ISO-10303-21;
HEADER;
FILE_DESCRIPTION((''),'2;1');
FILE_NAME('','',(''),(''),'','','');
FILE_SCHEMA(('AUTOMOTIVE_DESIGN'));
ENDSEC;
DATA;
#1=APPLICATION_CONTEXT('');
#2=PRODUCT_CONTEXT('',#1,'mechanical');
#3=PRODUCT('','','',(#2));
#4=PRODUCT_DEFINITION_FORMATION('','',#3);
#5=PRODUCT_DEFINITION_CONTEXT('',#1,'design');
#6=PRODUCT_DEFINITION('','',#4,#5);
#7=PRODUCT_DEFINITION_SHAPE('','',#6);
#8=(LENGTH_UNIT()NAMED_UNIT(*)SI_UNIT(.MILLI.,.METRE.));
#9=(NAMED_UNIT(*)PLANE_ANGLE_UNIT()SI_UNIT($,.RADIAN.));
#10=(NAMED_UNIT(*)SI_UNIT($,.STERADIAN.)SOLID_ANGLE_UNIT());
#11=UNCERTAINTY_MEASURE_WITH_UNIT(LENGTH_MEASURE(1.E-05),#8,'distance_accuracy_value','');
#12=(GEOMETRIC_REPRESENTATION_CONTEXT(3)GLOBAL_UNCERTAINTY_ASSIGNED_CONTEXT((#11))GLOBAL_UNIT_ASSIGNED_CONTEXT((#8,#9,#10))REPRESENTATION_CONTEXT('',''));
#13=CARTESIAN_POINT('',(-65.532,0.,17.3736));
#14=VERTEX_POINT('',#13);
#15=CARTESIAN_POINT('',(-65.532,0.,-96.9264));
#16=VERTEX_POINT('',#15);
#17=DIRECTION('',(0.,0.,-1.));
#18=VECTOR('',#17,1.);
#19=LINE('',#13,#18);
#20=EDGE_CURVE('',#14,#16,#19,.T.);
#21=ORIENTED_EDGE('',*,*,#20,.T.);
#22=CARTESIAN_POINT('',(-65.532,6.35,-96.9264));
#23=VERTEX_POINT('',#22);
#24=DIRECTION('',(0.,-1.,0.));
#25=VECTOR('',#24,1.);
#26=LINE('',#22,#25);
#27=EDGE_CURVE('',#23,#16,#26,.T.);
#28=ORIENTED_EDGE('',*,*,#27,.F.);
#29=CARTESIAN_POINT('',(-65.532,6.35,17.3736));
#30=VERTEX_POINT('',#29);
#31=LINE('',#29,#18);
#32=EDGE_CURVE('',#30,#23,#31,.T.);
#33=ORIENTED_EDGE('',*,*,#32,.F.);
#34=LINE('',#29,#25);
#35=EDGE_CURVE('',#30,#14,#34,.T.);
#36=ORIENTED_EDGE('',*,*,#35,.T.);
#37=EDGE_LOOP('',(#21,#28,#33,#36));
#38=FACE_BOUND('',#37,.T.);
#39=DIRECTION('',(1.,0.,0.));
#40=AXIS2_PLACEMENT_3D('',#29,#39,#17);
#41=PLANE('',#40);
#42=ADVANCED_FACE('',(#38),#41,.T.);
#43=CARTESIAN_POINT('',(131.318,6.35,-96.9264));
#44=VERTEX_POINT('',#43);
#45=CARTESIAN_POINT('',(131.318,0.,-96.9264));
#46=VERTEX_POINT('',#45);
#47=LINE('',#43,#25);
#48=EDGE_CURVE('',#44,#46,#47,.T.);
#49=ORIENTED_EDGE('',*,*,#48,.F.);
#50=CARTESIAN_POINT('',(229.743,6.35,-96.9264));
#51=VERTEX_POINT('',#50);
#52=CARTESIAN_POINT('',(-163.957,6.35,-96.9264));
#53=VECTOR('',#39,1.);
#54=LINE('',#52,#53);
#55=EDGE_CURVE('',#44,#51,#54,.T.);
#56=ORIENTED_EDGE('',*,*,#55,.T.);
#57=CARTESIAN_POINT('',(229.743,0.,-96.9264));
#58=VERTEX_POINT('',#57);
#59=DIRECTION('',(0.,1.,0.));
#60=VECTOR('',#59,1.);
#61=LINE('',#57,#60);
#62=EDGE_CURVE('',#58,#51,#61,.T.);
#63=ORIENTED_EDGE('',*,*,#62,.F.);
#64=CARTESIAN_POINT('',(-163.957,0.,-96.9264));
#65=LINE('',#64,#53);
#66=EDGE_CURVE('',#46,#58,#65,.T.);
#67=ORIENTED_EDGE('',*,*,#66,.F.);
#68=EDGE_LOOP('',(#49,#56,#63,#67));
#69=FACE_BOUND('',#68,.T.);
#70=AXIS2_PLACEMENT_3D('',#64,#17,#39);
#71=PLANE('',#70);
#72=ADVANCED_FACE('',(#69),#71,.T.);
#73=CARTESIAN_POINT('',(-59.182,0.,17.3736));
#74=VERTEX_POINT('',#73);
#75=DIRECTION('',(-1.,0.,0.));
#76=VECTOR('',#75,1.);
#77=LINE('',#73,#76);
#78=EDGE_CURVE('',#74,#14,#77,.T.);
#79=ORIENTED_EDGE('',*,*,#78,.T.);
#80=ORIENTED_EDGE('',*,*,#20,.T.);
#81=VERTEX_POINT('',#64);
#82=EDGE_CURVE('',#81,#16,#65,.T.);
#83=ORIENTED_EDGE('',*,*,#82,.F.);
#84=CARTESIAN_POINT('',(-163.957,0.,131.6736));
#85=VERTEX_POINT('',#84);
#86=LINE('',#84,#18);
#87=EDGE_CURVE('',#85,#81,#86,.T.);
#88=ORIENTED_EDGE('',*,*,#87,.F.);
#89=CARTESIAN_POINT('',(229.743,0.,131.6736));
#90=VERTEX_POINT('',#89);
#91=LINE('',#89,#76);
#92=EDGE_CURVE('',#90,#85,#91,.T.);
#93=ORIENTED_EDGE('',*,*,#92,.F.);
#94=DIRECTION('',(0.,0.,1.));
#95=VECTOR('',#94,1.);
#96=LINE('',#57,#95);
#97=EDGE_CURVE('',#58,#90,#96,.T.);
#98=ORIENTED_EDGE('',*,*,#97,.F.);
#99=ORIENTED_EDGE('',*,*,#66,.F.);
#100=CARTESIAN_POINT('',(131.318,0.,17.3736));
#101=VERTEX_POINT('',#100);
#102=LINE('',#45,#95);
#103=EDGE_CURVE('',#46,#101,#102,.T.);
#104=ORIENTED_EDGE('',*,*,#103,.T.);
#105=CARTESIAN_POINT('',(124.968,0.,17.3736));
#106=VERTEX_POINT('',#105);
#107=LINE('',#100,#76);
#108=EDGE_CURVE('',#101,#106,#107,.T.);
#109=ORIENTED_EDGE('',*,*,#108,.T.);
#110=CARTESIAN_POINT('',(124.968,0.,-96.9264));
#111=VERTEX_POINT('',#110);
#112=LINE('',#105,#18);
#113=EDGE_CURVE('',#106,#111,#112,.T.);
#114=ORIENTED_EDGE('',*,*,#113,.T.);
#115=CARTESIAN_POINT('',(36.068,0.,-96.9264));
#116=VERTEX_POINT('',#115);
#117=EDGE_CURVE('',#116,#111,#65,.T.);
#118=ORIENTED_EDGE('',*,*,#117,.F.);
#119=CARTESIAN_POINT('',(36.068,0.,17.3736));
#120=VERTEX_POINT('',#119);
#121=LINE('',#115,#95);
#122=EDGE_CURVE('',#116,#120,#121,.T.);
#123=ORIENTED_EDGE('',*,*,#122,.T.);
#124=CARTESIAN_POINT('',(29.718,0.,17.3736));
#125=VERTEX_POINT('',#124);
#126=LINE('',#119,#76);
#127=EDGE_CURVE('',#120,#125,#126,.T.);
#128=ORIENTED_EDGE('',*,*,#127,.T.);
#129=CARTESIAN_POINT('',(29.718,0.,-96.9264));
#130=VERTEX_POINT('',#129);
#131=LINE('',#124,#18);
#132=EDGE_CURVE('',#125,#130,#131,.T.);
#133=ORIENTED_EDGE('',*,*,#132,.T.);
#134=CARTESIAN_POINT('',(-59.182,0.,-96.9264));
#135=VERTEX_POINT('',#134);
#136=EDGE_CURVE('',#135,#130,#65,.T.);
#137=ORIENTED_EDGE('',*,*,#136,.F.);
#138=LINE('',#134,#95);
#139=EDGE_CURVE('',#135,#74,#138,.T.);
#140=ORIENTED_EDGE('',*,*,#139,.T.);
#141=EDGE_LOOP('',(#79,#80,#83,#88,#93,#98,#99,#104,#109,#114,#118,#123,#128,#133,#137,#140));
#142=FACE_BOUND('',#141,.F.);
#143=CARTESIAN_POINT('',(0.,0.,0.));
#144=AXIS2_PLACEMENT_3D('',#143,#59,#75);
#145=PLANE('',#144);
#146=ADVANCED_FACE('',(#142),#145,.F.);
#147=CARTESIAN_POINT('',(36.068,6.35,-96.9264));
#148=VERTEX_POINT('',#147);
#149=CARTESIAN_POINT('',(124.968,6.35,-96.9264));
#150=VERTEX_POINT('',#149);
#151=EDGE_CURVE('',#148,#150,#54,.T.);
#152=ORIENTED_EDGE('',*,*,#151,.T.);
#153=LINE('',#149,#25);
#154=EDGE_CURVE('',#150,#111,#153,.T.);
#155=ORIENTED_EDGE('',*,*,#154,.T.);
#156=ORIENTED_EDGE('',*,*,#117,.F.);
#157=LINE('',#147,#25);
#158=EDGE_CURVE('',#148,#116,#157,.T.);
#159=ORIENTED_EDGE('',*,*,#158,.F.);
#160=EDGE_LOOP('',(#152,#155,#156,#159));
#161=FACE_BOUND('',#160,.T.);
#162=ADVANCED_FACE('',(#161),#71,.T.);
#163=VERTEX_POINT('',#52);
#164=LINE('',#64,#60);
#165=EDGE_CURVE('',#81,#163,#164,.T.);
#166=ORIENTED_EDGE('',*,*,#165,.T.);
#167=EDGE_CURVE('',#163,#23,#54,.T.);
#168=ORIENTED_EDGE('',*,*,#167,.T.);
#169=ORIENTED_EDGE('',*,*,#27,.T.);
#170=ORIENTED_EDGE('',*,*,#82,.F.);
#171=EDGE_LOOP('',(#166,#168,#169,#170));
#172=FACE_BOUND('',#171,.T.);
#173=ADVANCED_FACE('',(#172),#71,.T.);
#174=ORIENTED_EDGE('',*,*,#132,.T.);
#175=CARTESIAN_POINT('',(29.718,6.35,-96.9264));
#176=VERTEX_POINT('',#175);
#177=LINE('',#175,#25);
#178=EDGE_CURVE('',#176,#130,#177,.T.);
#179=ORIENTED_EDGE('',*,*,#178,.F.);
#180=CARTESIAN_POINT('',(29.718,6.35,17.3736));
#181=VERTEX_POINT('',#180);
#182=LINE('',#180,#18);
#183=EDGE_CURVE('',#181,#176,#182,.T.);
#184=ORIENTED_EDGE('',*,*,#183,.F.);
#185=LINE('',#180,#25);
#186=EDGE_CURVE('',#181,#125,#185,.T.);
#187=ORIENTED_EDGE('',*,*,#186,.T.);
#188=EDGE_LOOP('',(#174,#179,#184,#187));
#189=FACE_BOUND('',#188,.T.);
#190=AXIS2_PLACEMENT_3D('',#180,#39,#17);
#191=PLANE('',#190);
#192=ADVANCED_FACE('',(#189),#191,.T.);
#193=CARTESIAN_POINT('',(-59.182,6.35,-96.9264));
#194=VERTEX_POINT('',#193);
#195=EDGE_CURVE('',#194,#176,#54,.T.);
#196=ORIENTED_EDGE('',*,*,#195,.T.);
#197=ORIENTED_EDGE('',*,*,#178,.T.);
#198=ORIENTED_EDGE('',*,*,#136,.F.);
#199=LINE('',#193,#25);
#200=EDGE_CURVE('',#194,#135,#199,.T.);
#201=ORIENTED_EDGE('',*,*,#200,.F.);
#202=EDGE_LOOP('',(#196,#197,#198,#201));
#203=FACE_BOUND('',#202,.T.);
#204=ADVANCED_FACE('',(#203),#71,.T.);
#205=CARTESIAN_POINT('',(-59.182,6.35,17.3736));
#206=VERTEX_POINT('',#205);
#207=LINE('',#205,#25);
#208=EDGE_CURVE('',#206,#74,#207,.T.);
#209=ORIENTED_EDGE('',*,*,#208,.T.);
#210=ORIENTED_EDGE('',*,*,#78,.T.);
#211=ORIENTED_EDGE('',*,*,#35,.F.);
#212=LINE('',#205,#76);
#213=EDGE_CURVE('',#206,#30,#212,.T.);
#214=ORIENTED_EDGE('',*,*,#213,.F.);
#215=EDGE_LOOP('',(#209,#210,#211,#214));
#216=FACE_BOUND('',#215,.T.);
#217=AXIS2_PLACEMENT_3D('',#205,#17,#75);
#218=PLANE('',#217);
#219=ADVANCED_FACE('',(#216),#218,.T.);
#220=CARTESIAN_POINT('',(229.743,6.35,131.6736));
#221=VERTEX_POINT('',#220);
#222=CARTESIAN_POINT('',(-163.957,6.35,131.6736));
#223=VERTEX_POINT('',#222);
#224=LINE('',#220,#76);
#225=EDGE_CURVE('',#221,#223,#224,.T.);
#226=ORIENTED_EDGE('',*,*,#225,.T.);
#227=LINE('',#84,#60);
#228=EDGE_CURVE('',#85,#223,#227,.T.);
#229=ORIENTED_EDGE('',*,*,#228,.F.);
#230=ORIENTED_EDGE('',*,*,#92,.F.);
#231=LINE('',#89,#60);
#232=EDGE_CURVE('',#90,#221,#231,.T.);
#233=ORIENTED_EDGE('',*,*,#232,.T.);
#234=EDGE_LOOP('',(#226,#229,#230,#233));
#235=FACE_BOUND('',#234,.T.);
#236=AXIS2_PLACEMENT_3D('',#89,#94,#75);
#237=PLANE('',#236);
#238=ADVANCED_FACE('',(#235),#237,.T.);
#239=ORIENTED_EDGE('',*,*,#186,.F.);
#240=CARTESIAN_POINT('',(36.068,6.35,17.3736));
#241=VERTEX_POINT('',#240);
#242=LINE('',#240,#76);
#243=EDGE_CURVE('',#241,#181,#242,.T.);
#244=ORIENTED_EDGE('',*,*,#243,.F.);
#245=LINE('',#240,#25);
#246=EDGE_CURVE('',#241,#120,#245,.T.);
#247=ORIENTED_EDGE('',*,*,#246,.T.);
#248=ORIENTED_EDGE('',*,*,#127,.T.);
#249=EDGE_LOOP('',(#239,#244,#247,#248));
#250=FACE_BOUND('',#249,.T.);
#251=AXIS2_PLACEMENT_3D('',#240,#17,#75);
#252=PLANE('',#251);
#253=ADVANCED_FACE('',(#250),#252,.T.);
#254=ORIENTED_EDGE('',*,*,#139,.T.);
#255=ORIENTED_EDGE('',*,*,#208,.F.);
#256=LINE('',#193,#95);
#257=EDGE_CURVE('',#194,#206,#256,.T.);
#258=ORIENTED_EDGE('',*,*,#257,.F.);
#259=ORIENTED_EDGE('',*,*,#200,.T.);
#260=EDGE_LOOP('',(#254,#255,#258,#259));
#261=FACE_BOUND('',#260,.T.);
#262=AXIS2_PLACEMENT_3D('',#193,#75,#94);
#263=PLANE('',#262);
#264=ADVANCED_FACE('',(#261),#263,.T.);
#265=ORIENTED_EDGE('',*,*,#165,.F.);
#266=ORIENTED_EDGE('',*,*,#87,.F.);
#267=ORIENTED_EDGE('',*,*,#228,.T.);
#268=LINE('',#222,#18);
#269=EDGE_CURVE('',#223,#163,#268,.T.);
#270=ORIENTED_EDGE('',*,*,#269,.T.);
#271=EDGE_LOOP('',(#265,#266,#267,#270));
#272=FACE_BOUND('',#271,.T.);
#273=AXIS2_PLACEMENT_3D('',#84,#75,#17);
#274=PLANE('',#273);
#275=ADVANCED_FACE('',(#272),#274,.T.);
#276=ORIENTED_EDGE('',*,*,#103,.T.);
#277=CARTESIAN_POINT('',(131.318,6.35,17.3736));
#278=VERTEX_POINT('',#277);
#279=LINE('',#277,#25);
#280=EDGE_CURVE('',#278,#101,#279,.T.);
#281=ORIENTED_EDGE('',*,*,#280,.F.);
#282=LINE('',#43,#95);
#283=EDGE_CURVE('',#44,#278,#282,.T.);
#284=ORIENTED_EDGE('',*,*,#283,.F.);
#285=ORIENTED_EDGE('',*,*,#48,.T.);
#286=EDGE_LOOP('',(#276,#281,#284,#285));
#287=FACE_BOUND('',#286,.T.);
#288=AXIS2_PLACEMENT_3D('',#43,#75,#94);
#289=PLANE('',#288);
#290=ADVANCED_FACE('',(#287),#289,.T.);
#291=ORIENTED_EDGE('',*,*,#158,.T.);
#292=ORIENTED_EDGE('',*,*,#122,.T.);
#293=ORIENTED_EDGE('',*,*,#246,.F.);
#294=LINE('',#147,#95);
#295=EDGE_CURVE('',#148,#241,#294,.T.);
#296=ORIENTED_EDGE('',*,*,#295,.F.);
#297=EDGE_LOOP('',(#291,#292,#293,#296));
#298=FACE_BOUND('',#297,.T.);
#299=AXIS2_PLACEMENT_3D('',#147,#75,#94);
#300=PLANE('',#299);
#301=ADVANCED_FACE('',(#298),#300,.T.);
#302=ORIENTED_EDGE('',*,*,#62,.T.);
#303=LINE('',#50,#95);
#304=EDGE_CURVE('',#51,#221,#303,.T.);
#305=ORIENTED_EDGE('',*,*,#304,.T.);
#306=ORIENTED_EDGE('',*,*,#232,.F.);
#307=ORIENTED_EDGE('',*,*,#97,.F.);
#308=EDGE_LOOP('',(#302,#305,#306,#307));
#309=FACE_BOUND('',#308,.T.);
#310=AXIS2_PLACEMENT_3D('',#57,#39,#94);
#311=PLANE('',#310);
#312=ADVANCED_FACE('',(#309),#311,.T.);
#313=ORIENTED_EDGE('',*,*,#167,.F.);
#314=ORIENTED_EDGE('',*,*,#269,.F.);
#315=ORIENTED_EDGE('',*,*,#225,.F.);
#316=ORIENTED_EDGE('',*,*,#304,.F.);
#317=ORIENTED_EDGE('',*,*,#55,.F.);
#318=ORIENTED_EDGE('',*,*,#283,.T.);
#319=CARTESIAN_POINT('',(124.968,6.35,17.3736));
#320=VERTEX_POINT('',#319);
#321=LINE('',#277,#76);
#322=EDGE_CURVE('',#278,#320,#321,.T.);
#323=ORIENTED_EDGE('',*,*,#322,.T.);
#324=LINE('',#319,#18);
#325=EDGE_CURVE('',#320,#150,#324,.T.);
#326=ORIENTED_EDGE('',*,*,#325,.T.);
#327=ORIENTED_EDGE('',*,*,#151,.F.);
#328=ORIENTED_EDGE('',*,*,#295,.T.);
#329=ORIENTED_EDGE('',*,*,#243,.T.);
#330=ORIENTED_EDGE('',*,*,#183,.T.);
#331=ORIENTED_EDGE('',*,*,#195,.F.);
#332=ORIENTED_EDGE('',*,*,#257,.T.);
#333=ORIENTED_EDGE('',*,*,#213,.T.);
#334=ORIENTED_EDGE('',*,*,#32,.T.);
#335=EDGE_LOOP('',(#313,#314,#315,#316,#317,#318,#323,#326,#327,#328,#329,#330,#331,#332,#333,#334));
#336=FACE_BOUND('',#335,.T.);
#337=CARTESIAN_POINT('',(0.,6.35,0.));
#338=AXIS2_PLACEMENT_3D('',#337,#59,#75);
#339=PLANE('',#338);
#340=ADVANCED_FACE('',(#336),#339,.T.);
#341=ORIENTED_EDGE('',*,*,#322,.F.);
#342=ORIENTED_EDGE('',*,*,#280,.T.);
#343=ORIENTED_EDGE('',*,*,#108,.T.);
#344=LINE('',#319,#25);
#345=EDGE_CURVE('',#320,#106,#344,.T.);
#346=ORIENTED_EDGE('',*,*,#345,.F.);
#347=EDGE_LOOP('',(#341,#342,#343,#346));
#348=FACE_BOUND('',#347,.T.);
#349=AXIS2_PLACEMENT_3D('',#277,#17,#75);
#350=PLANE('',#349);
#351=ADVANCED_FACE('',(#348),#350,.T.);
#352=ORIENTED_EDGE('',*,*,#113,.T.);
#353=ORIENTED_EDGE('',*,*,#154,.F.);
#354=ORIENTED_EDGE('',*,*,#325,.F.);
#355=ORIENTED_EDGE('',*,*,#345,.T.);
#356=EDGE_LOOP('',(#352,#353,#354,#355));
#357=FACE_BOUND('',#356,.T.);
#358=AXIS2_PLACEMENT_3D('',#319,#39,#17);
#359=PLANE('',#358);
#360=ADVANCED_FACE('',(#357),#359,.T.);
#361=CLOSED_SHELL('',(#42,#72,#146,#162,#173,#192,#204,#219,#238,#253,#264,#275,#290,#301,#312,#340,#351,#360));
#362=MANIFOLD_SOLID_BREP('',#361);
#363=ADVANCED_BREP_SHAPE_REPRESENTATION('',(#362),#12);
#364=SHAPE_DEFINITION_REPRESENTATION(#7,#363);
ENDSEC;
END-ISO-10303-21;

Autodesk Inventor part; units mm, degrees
ref_plane "YZ Plane" through (0, 0, 0) normal (1, 0, 0) x (0, 1, 0)
ref_plane "XZ Plane" through (0, 0, 0) normal (0, 1, 0) x (-1, 0, 0)
ref_plane "XY Plane" through (0, 0, 0) normal (0, 0, 1) x (1, 0, 0)
sketch "Sketch1" plane through (0, 0, 0) normal (0, 1, 0) x (-1, 0, 0)
  line L0 (163.957, -96.9264) -> (-229.743, -96.9264)
  line L1 (-229.743, -96.9264) -> (-229.743, 131.6736)
  line L2 (-229.743, 131.6736) -> (163.957, 131.6736)
  line L3 (163.957, 131.6736) -> (163.957, -96.9264)
  point P0 (0, 0)
  dimension "d0" = 228.6
  dimension "d1" = 393.7
extrude "Board" add sketch "Sketch1" along normal blind 6.35
sketch "Sketch2" plane through (0, 6.35, 0) normal (0, 1, 0) x (1, 0, 0)
  line L0 (-65.532, 96.9264) -> (-59.182, 96.9264)
  line L1 (-59.182, 96.9264) -> (-59.182, -17.3736)
  line L2 (-59.182, -17.3736) -> (-65.532, -17.3736)
  line L3 (-65.532, -17.3736) -> (-65.532, 96.9264)
  line L4 (229.743, 96.9264) -> (-163.957, 96.9264) projected
  line L5 (-163.957, 96.9264) -> (-163.957, -131.6736) projected
  line L6 (29.718, 96.9264) -> (36.068, 96.9264)
  line L7 (36.068, 96.9264) -> (36.068, -17.3736)
  line L8 (36.068, -17.3736) -> (29.718, -17.3736)
  line L9 (29.718, -17.3736) -> (29.718, 96.9264)
  line L10 (124.968, 96.9264) -> (131.318, 96.9264)
  line L11 (131.318, 96.9264) -> (131.318, -17.3736)
  line L12 (131.318, -17.3736) -> (124.968, -17.3736)
  line L13 (124.968, -17.3736) -> (124.968, 96.9264)
  line L14 (229.743, -131.6736) -> (229.743, 96.9264) projected
  point P0 (0, 0)
  dimension "d4" = 6.35
  dimension "d5" = 114.3
  dimension "d6" = 98.425
  dimension "d7" = 6.35
  dimension "d8" = 114.3
  dimension "d10" = 6.35
  dimension "d11" = 114.3
  dimension "d13" = 88.9
  dimension "d14" = 88.9
  dimension "d25" = 98.425
extrude "Stop Dados" cut sketch "Sketch2" against normal blind 6.35
equation "\"d5\" = 0.5 * d0"
equation "\"d8\" = 0.5 * d9"
equation "\"d11\" = 0.5 * d12"
equation "\"d9\" = 228.6"
equation "\"d12\" = 228.6"
properties part number "Wine Rack Horizontal"
